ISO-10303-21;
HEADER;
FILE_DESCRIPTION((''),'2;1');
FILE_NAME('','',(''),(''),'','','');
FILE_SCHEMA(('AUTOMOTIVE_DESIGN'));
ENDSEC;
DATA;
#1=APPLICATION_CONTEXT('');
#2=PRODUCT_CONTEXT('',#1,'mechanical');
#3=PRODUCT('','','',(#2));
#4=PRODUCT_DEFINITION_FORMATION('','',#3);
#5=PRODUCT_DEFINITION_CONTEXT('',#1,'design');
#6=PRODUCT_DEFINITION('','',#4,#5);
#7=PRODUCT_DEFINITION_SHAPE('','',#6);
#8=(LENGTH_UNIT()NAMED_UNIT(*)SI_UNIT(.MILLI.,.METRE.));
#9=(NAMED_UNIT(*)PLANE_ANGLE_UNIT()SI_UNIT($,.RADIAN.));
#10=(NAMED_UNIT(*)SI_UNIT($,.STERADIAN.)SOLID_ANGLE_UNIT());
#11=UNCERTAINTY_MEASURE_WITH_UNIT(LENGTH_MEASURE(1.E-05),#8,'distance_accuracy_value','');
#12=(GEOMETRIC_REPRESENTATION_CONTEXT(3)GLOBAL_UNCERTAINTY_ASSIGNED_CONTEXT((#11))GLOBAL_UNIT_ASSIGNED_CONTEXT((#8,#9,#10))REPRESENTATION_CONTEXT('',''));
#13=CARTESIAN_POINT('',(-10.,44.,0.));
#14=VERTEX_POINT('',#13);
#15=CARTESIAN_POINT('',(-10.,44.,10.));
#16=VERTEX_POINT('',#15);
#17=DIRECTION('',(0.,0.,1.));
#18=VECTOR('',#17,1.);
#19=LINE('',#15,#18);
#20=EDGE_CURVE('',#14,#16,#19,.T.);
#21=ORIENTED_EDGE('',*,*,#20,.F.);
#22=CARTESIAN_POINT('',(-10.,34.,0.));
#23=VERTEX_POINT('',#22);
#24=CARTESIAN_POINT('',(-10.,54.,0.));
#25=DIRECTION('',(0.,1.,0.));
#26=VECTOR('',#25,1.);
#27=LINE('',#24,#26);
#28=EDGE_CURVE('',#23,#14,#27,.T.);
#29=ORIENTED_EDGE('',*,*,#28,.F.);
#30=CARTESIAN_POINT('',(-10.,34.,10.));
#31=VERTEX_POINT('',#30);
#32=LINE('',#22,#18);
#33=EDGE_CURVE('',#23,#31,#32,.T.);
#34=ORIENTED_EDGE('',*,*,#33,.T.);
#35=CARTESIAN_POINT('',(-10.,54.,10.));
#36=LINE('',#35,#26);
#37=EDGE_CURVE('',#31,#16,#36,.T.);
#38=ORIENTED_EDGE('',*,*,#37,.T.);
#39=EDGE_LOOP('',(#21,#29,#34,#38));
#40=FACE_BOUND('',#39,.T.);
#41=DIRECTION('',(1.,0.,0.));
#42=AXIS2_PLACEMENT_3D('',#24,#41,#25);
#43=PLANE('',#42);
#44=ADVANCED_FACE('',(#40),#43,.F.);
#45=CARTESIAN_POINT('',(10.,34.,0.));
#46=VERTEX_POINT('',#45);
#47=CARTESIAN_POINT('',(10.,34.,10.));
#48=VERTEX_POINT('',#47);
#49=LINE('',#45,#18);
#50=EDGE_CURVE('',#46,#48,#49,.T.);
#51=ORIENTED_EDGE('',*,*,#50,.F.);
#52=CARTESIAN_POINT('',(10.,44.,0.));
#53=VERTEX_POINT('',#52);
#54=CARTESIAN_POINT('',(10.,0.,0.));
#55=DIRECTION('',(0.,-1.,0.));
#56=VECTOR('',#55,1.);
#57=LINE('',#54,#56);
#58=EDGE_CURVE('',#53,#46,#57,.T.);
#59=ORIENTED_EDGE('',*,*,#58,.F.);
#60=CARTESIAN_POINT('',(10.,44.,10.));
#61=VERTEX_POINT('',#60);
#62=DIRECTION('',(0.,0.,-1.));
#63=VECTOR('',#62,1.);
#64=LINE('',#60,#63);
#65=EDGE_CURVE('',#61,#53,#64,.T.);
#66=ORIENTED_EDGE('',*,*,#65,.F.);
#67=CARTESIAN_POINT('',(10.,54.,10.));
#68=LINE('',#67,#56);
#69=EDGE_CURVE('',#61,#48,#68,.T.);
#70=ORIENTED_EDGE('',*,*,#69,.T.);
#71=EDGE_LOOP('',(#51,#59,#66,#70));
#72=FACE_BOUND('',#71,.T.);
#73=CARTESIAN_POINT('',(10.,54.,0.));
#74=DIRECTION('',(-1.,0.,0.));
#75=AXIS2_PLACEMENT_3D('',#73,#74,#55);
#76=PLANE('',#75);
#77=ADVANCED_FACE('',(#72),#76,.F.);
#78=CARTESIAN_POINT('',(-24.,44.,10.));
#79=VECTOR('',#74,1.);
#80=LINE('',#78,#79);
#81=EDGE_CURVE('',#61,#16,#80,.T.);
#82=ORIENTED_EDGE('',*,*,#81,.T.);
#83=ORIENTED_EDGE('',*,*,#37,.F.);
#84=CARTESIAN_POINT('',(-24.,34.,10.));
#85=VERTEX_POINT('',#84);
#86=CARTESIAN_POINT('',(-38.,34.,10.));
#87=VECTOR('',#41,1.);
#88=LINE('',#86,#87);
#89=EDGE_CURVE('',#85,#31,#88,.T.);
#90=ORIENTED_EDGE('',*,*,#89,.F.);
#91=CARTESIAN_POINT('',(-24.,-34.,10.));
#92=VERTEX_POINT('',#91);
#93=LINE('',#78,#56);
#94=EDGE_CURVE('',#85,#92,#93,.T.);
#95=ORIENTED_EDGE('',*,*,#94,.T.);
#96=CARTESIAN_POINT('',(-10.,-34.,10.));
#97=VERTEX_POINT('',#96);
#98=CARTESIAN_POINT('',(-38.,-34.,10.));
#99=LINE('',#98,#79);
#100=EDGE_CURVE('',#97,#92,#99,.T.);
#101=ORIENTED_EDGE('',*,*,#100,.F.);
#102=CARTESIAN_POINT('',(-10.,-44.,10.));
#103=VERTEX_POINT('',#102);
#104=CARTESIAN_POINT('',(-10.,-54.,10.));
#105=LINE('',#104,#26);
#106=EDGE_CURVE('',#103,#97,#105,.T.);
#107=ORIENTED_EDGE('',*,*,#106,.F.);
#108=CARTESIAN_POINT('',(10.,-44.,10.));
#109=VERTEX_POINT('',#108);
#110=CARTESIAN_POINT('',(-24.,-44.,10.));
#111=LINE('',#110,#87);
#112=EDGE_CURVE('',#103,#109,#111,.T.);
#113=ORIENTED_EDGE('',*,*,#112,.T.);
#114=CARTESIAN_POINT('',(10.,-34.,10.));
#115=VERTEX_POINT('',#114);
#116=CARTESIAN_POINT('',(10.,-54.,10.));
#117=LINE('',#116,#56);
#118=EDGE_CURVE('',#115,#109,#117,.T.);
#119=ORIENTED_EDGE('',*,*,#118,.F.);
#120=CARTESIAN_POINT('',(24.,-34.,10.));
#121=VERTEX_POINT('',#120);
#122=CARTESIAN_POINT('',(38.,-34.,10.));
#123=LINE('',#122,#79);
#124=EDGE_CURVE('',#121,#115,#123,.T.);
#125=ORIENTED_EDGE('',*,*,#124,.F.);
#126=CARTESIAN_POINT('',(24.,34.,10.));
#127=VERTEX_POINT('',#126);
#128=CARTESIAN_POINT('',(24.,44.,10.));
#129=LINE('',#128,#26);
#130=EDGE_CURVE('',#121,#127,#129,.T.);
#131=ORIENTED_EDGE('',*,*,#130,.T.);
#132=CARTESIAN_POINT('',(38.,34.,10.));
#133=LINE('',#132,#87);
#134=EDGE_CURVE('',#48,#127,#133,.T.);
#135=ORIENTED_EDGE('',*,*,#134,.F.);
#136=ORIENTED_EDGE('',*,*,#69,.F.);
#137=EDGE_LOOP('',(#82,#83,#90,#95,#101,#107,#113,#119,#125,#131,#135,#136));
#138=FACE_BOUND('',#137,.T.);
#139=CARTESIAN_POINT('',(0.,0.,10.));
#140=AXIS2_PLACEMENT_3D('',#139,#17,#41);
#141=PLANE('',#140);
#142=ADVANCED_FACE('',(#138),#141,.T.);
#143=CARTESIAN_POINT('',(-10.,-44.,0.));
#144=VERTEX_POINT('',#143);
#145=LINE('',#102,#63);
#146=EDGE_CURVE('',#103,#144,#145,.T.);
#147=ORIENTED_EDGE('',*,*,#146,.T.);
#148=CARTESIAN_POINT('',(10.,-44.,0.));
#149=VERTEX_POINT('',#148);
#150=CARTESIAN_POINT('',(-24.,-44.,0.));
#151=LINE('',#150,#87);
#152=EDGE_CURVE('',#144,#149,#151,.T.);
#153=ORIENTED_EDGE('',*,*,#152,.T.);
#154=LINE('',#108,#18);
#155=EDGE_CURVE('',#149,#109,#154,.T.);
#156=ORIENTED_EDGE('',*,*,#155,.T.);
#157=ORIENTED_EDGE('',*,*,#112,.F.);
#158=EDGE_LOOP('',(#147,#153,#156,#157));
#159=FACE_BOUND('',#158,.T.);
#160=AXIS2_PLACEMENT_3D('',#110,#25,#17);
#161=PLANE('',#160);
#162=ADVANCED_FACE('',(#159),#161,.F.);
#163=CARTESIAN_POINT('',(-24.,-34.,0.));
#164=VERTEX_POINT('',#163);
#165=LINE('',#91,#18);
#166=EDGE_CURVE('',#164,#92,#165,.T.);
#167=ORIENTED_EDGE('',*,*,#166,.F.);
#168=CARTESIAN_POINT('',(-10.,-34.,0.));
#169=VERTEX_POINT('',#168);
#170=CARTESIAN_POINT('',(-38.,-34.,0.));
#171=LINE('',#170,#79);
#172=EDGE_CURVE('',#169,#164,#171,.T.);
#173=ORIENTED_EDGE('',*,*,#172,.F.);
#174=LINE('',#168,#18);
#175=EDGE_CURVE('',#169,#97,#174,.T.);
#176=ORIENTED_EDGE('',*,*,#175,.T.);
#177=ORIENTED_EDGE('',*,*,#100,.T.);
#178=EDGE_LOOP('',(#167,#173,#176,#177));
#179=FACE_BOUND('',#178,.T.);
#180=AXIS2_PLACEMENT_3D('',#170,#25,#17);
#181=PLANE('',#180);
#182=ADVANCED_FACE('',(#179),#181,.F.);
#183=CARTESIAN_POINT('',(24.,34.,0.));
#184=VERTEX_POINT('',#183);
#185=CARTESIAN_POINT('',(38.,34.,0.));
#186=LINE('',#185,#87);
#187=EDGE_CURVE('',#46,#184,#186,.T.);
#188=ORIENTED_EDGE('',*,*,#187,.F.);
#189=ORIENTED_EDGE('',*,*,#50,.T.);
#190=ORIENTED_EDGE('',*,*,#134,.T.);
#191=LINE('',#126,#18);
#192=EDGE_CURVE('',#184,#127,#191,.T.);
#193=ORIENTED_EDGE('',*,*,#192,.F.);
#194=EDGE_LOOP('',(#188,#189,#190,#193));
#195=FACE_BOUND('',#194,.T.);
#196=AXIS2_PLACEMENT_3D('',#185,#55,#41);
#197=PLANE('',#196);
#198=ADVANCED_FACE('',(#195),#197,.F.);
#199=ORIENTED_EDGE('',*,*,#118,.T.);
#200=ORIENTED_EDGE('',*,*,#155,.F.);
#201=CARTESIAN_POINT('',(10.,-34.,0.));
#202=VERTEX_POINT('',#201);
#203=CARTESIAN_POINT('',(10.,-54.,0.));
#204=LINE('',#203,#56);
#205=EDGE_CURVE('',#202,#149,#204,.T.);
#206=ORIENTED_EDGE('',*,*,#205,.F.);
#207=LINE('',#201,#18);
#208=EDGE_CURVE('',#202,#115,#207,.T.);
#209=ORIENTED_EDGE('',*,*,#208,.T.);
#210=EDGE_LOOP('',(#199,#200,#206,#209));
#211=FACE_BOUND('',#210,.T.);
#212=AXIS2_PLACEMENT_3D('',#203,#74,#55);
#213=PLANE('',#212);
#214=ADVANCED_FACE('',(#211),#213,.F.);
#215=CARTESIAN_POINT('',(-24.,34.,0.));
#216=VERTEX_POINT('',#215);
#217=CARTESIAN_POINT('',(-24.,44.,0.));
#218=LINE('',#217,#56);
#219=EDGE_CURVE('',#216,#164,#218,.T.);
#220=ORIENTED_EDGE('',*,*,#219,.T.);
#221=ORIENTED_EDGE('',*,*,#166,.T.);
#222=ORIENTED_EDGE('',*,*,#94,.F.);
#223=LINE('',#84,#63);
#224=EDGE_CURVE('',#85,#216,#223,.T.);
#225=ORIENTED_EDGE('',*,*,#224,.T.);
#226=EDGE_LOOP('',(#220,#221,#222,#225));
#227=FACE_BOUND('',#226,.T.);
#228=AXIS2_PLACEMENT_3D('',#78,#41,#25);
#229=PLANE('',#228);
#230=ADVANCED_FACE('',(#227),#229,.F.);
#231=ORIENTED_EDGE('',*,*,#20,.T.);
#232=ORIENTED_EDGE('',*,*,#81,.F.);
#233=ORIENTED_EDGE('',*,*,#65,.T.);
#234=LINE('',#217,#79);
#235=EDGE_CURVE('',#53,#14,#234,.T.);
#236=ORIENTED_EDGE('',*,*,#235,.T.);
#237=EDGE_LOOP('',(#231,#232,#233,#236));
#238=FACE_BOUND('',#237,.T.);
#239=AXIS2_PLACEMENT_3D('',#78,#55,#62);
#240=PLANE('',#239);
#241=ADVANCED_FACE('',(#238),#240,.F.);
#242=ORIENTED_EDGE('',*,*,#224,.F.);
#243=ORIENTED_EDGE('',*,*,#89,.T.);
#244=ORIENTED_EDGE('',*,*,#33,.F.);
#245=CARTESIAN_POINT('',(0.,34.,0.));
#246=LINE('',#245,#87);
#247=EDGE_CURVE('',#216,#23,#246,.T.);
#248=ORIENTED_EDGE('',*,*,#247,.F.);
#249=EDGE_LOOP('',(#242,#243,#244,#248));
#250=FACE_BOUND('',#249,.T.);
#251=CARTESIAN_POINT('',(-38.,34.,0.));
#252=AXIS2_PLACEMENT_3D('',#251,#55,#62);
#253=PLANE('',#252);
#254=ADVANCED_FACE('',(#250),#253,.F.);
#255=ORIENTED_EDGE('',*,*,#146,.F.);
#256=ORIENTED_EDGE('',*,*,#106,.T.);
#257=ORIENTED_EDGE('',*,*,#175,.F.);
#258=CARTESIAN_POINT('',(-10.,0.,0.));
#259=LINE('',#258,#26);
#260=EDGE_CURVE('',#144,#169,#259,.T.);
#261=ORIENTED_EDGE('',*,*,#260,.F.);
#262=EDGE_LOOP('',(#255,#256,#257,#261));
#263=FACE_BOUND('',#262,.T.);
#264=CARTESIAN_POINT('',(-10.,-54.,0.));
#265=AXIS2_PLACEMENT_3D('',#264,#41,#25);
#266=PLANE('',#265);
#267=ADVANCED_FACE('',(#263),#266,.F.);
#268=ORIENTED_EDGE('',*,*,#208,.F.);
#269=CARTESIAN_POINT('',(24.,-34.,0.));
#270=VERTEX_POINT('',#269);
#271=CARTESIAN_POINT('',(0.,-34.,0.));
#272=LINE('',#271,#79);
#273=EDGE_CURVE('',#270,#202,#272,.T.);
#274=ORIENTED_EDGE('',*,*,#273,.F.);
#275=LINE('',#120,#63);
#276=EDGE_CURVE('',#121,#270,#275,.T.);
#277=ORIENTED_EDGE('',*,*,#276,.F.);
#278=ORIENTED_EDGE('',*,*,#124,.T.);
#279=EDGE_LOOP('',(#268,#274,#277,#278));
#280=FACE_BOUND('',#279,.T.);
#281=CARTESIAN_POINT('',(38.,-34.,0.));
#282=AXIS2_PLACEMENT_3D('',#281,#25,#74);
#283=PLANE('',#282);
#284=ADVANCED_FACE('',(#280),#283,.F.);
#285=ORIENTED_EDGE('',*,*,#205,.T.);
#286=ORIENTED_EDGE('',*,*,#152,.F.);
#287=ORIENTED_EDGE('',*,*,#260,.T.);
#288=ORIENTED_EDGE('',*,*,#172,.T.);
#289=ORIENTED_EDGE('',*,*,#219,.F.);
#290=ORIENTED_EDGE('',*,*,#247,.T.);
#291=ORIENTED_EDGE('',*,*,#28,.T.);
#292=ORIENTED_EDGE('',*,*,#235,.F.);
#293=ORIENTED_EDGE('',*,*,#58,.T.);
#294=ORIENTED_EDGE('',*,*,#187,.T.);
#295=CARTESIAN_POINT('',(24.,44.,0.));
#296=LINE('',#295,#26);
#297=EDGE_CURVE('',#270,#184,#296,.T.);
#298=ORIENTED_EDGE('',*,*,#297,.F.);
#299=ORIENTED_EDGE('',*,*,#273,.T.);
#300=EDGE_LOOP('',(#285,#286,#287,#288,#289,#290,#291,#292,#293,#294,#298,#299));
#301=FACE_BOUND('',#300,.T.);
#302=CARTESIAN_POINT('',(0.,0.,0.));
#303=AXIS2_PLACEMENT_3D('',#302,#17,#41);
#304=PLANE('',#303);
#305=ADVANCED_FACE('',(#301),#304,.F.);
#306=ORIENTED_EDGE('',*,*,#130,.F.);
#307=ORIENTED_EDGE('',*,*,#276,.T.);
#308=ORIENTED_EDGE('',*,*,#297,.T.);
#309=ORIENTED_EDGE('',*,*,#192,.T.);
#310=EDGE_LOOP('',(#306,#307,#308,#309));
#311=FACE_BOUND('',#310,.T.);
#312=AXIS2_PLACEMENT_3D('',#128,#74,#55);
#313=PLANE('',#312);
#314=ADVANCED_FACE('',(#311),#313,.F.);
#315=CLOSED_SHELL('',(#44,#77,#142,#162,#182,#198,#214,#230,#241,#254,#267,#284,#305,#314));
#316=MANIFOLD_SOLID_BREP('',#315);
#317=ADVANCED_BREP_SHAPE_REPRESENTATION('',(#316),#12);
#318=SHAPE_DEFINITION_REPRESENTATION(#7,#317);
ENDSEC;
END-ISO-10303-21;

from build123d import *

# Parameters (mm, degrees)
SKETCH1_W           = 48
SKETCH1_H           = 88
BOSS_EXTRUDE1_DEPTH = 10
SKETCH2_W           = 28
SKETCH2_H           = 20
CUT_EXTRUDE1_DEPTH  = 10


with BuildPart() as part:
    # Sketch1 → Boss-Extrude1 (new body)
    with BuildSketch(Plane.XY):
        Rectangle(SKETCH1_W, SKETCH1_H)
    extrude(amount=BOSS_EXTRUDE1_DEPTH)

    # Sketch2 → Cut-Extrude1 (cut)
    with BuildSketch(Plane.XY.offset(10)):
        with Locations((-24, 44)):
            Rectangle(SKETCH2_W, SKETCH2_H)
        with Locations((24, 44)):
            Rectangle(SKETCH2_W, SKETCH2_H)
        with Locations((24, -44)):
            Rectangle(SKETCH2_W, SKETCH2_H)
        with Locations((-24, -44)):
            Rectangle(SKETCH2_W, SKETCH2_H)
    extrude(amount=-CUT_EXTRUDE1_DEPTH, mode=Mode.SUBTRACT)


solid = part.part
